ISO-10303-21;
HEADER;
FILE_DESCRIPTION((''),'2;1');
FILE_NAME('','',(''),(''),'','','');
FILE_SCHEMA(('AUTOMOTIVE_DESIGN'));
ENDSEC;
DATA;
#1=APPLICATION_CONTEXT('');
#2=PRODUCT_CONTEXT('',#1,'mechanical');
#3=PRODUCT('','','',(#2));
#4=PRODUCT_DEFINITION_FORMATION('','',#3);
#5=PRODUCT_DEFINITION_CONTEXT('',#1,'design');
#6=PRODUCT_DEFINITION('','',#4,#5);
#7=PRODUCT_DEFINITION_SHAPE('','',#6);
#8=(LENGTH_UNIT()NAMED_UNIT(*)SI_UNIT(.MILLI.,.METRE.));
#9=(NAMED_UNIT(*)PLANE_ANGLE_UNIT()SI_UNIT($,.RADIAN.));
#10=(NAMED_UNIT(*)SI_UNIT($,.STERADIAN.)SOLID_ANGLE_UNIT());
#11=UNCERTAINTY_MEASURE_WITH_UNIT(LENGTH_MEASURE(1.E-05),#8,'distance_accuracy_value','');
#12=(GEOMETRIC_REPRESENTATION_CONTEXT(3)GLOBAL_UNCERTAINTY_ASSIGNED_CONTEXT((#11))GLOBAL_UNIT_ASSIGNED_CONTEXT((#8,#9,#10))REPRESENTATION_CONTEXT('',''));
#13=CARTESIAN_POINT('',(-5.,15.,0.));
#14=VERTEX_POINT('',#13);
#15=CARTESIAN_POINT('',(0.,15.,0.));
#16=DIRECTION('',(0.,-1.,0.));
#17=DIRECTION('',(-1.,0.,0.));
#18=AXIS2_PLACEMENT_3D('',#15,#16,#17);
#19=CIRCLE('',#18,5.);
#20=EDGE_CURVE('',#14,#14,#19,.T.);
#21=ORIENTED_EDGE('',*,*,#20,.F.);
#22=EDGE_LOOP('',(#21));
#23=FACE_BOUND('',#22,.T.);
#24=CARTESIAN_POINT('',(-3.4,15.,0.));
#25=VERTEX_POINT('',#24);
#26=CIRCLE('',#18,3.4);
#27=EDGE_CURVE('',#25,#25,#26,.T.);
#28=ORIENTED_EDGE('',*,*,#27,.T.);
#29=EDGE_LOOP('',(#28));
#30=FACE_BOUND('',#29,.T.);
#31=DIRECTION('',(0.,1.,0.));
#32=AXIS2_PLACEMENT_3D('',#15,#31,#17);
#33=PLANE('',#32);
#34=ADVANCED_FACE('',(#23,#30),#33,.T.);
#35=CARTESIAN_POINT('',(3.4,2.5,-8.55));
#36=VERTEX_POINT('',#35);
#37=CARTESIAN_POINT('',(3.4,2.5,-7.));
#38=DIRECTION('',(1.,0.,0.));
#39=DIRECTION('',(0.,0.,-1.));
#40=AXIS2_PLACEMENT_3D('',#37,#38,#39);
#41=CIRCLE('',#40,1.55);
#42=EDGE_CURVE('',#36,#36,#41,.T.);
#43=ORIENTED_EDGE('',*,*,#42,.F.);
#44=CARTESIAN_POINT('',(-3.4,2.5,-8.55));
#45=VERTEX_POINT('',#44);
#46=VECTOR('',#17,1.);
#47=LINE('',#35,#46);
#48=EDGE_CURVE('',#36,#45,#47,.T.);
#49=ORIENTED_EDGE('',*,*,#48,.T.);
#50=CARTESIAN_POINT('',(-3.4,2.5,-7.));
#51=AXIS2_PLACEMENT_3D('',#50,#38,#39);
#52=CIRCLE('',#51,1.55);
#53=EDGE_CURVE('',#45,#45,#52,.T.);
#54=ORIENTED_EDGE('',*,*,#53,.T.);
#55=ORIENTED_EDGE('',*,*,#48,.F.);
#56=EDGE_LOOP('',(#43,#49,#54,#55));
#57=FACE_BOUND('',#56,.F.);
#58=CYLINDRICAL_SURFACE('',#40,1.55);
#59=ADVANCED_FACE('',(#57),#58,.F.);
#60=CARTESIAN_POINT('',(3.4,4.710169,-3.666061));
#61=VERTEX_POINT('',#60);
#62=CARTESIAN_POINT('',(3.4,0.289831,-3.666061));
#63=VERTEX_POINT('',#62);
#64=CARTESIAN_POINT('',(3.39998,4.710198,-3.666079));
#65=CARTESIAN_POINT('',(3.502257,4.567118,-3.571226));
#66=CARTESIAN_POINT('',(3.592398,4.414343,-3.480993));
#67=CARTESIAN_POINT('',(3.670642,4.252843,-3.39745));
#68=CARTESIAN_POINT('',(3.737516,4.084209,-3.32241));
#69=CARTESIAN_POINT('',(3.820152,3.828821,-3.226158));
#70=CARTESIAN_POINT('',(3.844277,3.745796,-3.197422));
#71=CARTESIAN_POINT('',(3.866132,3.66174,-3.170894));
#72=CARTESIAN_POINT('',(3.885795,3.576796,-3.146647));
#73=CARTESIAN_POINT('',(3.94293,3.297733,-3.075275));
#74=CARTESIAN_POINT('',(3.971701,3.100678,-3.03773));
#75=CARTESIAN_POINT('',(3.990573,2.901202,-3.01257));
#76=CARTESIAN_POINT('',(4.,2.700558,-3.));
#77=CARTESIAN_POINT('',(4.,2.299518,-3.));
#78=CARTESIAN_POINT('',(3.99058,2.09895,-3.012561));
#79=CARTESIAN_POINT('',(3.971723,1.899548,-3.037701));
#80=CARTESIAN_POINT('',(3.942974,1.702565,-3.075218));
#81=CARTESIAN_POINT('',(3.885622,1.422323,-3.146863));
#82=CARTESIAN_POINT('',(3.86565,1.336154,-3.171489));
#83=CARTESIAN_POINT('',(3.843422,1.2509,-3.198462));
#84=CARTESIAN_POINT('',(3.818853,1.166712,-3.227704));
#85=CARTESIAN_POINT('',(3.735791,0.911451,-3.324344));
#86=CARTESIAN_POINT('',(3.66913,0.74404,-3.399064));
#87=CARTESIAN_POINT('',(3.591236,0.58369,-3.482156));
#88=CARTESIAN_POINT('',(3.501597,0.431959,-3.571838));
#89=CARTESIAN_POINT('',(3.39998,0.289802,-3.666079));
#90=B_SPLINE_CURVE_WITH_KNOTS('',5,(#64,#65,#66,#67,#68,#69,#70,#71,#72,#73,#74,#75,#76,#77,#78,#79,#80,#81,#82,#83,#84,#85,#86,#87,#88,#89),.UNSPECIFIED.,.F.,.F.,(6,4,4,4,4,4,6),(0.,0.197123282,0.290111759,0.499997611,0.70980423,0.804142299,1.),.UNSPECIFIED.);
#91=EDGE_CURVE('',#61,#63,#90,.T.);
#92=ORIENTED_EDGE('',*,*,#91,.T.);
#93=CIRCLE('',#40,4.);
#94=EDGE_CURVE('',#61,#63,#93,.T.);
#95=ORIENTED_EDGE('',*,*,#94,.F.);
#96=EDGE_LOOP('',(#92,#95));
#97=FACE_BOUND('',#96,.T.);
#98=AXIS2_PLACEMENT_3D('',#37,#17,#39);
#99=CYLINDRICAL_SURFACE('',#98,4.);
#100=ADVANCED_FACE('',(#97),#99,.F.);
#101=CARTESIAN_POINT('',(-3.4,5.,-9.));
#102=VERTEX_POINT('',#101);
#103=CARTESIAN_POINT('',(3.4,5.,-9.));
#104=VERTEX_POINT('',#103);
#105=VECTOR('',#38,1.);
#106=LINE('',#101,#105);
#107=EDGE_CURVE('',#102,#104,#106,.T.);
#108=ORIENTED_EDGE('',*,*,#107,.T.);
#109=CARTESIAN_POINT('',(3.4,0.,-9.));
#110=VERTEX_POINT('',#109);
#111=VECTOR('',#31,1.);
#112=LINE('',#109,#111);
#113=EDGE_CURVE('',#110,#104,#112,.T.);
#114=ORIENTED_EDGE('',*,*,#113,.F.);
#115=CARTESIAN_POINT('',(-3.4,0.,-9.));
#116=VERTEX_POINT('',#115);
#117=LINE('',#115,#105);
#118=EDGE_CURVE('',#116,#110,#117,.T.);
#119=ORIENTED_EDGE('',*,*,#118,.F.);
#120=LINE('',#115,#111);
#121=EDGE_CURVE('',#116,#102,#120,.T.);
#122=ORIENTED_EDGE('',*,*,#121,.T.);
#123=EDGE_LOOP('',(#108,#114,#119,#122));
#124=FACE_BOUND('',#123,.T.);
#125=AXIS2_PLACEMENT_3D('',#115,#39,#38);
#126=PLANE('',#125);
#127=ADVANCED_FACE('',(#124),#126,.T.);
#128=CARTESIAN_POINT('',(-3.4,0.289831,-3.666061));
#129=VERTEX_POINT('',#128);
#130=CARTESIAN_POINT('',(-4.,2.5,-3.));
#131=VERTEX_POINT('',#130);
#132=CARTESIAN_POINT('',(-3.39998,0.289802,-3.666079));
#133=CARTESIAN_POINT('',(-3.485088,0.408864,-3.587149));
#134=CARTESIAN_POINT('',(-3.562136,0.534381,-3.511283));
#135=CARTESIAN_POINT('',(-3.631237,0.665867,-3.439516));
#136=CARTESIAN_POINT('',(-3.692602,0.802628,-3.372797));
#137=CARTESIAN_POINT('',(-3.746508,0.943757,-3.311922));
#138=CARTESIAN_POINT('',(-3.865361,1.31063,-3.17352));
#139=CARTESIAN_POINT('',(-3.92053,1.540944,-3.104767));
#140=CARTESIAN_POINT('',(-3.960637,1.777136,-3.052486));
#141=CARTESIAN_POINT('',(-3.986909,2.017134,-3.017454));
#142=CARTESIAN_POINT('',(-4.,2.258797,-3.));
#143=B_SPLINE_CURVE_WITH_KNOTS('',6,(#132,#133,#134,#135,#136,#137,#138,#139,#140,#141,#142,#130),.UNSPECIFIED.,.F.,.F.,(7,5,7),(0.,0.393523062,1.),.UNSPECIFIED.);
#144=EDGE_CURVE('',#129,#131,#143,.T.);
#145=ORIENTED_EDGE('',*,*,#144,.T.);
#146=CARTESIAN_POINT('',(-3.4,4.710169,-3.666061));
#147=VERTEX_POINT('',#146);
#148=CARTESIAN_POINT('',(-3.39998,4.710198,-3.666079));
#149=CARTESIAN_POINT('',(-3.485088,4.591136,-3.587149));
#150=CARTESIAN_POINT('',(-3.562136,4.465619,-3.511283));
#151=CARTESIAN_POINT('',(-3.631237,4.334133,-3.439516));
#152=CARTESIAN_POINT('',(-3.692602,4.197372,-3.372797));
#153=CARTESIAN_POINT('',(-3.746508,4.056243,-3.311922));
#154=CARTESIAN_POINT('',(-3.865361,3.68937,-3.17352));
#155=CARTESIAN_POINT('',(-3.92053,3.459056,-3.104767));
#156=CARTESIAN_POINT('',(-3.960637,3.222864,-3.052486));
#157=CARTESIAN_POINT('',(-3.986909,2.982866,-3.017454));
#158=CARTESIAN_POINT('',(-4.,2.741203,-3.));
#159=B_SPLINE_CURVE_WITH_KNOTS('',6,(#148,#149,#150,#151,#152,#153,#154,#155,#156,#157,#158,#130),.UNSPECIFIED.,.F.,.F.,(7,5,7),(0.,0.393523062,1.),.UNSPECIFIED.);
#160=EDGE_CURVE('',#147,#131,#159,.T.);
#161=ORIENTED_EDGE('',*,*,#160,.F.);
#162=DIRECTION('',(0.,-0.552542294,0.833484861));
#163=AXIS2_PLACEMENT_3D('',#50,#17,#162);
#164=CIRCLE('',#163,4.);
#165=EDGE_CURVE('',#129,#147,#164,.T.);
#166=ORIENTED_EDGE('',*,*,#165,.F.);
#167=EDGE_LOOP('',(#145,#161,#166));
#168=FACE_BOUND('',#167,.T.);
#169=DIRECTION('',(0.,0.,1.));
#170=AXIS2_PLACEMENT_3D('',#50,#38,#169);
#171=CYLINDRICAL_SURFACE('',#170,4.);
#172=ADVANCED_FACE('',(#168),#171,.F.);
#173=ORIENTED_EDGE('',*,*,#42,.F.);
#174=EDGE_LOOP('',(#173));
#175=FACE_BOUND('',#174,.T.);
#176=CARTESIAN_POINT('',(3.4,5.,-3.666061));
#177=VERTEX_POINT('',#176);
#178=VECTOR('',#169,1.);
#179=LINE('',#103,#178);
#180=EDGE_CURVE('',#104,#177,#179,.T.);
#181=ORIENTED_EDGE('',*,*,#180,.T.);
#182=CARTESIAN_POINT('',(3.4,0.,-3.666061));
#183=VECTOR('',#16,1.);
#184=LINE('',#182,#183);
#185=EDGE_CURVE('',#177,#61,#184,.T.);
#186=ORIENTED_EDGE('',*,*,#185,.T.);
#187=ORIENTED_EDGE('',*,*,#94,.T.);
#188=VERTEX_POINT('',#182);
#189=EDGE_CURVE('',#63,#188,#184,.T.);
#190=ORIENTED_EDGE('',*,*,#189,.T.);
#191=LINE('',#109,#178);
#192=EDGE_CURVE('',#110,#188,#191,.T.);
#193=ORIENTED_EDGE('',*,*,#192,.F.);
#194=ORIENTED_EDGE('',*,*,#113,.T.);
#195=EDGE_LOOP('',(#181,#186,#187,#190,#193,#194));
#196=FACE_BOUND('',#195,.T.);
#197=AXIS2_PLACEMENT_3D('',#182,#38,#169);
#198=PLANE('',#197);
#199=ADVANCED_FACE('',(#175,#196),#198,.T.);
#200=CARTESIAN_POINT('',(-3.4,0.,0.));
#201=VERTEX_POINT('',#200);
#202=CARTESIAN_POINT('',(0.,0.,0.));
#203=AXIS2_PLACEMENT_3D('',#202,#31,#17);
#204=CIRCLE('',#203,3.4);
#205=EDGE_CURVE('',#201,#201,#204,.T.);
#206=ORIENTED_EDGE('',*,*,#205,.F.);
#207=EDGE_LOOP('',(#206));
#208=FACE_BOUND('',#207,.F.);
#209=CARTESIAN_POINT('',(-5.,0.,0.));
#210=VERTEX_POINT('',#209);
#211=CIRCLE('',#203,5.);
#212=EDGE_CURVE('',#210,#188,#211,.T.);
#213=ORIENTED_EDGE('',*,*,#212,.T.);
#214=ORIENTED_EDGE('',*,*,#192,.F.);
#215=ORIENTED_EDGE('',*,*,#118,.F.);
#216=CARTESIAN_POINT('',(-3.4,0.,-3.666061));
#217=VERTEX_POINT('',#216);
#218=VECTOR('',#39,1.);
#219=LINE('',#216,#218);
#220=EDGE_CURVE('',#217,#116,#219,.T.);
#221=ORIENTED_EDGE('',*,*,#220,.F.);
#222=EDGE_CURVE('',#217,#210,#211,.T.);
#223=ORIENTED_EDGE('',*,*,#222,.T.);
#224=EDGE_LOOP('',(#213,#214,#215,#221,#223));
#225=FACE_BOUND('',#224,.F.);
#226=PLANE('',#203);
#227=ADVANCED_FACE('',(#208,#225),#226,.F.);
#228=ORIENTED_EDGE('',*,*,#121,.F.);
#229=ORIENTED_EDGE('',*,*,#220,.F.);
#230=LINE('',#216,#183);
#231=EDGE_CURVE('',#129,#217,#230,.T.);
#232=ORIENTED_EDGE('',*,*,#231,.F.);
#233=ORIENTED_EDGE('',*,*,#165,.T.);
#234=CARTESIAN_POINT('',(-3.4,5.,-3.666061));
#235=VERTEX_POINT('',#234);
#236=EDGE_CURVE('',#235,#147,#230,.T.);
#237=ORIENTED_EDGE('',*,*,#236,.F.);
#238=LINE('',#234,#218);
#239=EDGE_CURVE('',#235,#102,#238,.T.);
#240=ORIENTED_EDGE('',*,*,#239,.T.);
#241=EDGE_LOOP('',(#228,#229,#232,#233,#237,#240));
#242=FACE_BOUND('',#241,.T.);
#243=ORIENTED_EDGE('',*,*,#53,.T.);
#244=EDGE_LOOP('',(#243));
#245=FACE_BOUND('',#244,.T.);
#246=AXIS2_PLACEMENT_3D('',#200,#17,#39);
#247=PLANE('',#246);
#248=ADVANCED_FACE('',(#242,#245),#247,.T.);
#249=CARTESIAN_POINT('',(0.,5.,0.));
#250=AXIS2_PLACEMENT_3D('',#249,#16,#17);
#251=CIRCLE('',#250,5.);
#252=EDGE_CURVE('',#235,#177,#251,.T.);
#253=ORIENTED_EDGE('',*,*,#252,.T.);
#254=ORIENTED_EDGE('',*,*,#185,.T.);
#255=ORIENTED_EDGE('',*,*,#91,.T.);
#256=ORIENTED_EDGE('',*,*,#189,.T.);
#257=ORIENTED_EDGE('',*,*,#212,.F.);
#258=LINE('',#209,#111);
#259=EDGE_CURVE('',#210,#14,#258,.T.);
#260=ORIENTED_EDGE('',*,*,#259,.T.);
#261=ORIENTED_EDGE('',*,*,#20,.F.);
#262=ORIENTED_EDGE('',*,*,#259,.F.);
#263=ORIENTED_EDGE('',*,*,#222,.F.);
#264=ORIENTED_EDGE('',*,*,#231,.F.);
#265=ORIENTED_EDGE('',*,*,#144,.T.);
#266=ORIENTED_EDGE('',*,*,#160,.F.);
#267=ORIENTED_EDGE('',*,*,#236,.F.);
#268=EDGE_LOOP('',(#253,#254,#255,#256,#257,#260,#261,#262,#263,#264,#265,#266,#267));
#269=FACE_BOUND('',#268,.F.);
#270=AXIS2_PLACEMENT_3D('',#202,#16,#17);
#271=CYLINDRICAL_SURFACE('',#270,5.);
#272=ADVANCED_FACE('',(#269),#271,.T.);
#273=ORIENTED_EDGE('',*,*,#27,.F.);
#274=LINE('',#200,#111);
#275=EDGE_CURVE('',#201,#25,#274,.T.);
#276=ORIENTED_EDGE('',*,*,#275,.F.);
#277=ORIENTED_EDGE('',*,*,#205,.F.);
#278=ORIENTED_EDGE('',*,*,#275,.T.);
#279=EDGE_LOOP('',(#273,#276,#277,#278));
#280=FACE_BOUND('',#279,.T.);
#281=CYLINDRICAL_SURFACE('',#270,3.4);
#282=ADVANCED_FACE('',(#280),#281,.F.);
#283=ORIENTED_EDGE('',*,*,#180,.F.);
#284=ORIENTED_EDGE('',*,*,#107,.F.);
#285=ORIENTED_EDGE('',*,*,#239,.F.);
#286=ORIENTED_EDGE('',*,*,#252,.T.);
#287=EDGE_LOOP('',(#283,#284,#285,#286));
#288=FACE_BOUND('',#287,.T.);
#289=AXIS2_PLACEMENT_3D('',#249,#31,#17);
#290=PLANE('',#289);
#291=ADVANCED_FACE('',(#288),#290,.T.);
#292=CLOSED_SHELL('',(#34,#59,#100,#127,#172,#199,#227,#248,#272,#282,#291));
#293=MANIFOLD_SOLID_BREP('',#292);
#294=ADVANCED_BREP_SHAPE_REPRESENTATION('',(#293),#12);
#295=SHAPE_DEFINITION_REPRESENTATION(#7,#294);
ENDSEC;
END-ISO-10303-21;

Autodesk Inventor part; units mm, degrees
ref_plane "YZ Plane" through (0, 0, 0) normal (1, 0, 0) x (0, 1, 0)
ref_plane "XZ Plane" through (0, 0, 0) normal (0, 1, 0) x (-1, 0, 0)
ref_plane "XY Plane" through (0, 0, 0) normal (0, 0, 1) x (1, 0, 0)
sketch "Sketch1" plane through (0, 0, 0) normal (0, 1, 0) x (-1, 0, 0)
  circle A0 centre (0, 0) radius 3.4
  circle A1 centre (0, 0) radius 5
  line L0 (3.4, 0) -> (3.4, -9)
  line L1 (3.4, -9) -> (-3.4, -9)
  line L2 (-3.4, -9) -> (-3.4, 0)
  dimension "d0" = 6.8
  dimension "d1" = 10
  dimension "d2" = 9
extrude "Extrusion1" add sketch "Sketch1" along normal blind 5 contours L0 A1 L2 A0 | L0 L1 L2 A1 picked at (2.574, -3.6186)
extrude "Extrusion2" add sketch "Sketch1" along normal blind 15 contours L0 A1 L2 A0 | A0 L2 A1 L0
sketch "Sketch2" plane through (3.4, 0, -9) normal (1, 0, 0) x (0, 0, -1)
  line L0 (0, 5) -> (0, 2.5)
  line L1 (0, 0) -> (0, 5) projected
  line L2 (0, 2.5) -> (-2, 2.5)
  circle A0 centre (-2, 2.5) radius 1.55
  circle A1 centre (-2, 2.5) radius 4
  point P0 (-9, 0)
  dimension "d7" = 2.5
  dimension "d8" = 2
  dimension "d9" = 3.1
  dimension "d10" = 8
extrude "Extrusion3" cut sketch "Sketch2" against normal blind 15 contours A0
extrude "Extrusion4" cut sketch "Sketch2" along normal blind 15
sketch "Sketch3" plane through (-3.4, 0, -9) normal (-1, 0, 0) x (0, 0, 1)
  line L0 (0, 5) -> (2, 5)
  line L1 (0, 5) -> (5.3339, 5) projected
  line L2 (2, 5) -> (2, 2.5)
  circle A0 centre (2, 2.5) radius 4
  point P0 (9, 0)
  dimension "d15" = 2
  dimension "d16" = 2.5
  dimension "d17" = 8
extrude "Extrusion5" cut sketch "Sketch3" along normal blind 15
properties part number "push_clip(2)"
